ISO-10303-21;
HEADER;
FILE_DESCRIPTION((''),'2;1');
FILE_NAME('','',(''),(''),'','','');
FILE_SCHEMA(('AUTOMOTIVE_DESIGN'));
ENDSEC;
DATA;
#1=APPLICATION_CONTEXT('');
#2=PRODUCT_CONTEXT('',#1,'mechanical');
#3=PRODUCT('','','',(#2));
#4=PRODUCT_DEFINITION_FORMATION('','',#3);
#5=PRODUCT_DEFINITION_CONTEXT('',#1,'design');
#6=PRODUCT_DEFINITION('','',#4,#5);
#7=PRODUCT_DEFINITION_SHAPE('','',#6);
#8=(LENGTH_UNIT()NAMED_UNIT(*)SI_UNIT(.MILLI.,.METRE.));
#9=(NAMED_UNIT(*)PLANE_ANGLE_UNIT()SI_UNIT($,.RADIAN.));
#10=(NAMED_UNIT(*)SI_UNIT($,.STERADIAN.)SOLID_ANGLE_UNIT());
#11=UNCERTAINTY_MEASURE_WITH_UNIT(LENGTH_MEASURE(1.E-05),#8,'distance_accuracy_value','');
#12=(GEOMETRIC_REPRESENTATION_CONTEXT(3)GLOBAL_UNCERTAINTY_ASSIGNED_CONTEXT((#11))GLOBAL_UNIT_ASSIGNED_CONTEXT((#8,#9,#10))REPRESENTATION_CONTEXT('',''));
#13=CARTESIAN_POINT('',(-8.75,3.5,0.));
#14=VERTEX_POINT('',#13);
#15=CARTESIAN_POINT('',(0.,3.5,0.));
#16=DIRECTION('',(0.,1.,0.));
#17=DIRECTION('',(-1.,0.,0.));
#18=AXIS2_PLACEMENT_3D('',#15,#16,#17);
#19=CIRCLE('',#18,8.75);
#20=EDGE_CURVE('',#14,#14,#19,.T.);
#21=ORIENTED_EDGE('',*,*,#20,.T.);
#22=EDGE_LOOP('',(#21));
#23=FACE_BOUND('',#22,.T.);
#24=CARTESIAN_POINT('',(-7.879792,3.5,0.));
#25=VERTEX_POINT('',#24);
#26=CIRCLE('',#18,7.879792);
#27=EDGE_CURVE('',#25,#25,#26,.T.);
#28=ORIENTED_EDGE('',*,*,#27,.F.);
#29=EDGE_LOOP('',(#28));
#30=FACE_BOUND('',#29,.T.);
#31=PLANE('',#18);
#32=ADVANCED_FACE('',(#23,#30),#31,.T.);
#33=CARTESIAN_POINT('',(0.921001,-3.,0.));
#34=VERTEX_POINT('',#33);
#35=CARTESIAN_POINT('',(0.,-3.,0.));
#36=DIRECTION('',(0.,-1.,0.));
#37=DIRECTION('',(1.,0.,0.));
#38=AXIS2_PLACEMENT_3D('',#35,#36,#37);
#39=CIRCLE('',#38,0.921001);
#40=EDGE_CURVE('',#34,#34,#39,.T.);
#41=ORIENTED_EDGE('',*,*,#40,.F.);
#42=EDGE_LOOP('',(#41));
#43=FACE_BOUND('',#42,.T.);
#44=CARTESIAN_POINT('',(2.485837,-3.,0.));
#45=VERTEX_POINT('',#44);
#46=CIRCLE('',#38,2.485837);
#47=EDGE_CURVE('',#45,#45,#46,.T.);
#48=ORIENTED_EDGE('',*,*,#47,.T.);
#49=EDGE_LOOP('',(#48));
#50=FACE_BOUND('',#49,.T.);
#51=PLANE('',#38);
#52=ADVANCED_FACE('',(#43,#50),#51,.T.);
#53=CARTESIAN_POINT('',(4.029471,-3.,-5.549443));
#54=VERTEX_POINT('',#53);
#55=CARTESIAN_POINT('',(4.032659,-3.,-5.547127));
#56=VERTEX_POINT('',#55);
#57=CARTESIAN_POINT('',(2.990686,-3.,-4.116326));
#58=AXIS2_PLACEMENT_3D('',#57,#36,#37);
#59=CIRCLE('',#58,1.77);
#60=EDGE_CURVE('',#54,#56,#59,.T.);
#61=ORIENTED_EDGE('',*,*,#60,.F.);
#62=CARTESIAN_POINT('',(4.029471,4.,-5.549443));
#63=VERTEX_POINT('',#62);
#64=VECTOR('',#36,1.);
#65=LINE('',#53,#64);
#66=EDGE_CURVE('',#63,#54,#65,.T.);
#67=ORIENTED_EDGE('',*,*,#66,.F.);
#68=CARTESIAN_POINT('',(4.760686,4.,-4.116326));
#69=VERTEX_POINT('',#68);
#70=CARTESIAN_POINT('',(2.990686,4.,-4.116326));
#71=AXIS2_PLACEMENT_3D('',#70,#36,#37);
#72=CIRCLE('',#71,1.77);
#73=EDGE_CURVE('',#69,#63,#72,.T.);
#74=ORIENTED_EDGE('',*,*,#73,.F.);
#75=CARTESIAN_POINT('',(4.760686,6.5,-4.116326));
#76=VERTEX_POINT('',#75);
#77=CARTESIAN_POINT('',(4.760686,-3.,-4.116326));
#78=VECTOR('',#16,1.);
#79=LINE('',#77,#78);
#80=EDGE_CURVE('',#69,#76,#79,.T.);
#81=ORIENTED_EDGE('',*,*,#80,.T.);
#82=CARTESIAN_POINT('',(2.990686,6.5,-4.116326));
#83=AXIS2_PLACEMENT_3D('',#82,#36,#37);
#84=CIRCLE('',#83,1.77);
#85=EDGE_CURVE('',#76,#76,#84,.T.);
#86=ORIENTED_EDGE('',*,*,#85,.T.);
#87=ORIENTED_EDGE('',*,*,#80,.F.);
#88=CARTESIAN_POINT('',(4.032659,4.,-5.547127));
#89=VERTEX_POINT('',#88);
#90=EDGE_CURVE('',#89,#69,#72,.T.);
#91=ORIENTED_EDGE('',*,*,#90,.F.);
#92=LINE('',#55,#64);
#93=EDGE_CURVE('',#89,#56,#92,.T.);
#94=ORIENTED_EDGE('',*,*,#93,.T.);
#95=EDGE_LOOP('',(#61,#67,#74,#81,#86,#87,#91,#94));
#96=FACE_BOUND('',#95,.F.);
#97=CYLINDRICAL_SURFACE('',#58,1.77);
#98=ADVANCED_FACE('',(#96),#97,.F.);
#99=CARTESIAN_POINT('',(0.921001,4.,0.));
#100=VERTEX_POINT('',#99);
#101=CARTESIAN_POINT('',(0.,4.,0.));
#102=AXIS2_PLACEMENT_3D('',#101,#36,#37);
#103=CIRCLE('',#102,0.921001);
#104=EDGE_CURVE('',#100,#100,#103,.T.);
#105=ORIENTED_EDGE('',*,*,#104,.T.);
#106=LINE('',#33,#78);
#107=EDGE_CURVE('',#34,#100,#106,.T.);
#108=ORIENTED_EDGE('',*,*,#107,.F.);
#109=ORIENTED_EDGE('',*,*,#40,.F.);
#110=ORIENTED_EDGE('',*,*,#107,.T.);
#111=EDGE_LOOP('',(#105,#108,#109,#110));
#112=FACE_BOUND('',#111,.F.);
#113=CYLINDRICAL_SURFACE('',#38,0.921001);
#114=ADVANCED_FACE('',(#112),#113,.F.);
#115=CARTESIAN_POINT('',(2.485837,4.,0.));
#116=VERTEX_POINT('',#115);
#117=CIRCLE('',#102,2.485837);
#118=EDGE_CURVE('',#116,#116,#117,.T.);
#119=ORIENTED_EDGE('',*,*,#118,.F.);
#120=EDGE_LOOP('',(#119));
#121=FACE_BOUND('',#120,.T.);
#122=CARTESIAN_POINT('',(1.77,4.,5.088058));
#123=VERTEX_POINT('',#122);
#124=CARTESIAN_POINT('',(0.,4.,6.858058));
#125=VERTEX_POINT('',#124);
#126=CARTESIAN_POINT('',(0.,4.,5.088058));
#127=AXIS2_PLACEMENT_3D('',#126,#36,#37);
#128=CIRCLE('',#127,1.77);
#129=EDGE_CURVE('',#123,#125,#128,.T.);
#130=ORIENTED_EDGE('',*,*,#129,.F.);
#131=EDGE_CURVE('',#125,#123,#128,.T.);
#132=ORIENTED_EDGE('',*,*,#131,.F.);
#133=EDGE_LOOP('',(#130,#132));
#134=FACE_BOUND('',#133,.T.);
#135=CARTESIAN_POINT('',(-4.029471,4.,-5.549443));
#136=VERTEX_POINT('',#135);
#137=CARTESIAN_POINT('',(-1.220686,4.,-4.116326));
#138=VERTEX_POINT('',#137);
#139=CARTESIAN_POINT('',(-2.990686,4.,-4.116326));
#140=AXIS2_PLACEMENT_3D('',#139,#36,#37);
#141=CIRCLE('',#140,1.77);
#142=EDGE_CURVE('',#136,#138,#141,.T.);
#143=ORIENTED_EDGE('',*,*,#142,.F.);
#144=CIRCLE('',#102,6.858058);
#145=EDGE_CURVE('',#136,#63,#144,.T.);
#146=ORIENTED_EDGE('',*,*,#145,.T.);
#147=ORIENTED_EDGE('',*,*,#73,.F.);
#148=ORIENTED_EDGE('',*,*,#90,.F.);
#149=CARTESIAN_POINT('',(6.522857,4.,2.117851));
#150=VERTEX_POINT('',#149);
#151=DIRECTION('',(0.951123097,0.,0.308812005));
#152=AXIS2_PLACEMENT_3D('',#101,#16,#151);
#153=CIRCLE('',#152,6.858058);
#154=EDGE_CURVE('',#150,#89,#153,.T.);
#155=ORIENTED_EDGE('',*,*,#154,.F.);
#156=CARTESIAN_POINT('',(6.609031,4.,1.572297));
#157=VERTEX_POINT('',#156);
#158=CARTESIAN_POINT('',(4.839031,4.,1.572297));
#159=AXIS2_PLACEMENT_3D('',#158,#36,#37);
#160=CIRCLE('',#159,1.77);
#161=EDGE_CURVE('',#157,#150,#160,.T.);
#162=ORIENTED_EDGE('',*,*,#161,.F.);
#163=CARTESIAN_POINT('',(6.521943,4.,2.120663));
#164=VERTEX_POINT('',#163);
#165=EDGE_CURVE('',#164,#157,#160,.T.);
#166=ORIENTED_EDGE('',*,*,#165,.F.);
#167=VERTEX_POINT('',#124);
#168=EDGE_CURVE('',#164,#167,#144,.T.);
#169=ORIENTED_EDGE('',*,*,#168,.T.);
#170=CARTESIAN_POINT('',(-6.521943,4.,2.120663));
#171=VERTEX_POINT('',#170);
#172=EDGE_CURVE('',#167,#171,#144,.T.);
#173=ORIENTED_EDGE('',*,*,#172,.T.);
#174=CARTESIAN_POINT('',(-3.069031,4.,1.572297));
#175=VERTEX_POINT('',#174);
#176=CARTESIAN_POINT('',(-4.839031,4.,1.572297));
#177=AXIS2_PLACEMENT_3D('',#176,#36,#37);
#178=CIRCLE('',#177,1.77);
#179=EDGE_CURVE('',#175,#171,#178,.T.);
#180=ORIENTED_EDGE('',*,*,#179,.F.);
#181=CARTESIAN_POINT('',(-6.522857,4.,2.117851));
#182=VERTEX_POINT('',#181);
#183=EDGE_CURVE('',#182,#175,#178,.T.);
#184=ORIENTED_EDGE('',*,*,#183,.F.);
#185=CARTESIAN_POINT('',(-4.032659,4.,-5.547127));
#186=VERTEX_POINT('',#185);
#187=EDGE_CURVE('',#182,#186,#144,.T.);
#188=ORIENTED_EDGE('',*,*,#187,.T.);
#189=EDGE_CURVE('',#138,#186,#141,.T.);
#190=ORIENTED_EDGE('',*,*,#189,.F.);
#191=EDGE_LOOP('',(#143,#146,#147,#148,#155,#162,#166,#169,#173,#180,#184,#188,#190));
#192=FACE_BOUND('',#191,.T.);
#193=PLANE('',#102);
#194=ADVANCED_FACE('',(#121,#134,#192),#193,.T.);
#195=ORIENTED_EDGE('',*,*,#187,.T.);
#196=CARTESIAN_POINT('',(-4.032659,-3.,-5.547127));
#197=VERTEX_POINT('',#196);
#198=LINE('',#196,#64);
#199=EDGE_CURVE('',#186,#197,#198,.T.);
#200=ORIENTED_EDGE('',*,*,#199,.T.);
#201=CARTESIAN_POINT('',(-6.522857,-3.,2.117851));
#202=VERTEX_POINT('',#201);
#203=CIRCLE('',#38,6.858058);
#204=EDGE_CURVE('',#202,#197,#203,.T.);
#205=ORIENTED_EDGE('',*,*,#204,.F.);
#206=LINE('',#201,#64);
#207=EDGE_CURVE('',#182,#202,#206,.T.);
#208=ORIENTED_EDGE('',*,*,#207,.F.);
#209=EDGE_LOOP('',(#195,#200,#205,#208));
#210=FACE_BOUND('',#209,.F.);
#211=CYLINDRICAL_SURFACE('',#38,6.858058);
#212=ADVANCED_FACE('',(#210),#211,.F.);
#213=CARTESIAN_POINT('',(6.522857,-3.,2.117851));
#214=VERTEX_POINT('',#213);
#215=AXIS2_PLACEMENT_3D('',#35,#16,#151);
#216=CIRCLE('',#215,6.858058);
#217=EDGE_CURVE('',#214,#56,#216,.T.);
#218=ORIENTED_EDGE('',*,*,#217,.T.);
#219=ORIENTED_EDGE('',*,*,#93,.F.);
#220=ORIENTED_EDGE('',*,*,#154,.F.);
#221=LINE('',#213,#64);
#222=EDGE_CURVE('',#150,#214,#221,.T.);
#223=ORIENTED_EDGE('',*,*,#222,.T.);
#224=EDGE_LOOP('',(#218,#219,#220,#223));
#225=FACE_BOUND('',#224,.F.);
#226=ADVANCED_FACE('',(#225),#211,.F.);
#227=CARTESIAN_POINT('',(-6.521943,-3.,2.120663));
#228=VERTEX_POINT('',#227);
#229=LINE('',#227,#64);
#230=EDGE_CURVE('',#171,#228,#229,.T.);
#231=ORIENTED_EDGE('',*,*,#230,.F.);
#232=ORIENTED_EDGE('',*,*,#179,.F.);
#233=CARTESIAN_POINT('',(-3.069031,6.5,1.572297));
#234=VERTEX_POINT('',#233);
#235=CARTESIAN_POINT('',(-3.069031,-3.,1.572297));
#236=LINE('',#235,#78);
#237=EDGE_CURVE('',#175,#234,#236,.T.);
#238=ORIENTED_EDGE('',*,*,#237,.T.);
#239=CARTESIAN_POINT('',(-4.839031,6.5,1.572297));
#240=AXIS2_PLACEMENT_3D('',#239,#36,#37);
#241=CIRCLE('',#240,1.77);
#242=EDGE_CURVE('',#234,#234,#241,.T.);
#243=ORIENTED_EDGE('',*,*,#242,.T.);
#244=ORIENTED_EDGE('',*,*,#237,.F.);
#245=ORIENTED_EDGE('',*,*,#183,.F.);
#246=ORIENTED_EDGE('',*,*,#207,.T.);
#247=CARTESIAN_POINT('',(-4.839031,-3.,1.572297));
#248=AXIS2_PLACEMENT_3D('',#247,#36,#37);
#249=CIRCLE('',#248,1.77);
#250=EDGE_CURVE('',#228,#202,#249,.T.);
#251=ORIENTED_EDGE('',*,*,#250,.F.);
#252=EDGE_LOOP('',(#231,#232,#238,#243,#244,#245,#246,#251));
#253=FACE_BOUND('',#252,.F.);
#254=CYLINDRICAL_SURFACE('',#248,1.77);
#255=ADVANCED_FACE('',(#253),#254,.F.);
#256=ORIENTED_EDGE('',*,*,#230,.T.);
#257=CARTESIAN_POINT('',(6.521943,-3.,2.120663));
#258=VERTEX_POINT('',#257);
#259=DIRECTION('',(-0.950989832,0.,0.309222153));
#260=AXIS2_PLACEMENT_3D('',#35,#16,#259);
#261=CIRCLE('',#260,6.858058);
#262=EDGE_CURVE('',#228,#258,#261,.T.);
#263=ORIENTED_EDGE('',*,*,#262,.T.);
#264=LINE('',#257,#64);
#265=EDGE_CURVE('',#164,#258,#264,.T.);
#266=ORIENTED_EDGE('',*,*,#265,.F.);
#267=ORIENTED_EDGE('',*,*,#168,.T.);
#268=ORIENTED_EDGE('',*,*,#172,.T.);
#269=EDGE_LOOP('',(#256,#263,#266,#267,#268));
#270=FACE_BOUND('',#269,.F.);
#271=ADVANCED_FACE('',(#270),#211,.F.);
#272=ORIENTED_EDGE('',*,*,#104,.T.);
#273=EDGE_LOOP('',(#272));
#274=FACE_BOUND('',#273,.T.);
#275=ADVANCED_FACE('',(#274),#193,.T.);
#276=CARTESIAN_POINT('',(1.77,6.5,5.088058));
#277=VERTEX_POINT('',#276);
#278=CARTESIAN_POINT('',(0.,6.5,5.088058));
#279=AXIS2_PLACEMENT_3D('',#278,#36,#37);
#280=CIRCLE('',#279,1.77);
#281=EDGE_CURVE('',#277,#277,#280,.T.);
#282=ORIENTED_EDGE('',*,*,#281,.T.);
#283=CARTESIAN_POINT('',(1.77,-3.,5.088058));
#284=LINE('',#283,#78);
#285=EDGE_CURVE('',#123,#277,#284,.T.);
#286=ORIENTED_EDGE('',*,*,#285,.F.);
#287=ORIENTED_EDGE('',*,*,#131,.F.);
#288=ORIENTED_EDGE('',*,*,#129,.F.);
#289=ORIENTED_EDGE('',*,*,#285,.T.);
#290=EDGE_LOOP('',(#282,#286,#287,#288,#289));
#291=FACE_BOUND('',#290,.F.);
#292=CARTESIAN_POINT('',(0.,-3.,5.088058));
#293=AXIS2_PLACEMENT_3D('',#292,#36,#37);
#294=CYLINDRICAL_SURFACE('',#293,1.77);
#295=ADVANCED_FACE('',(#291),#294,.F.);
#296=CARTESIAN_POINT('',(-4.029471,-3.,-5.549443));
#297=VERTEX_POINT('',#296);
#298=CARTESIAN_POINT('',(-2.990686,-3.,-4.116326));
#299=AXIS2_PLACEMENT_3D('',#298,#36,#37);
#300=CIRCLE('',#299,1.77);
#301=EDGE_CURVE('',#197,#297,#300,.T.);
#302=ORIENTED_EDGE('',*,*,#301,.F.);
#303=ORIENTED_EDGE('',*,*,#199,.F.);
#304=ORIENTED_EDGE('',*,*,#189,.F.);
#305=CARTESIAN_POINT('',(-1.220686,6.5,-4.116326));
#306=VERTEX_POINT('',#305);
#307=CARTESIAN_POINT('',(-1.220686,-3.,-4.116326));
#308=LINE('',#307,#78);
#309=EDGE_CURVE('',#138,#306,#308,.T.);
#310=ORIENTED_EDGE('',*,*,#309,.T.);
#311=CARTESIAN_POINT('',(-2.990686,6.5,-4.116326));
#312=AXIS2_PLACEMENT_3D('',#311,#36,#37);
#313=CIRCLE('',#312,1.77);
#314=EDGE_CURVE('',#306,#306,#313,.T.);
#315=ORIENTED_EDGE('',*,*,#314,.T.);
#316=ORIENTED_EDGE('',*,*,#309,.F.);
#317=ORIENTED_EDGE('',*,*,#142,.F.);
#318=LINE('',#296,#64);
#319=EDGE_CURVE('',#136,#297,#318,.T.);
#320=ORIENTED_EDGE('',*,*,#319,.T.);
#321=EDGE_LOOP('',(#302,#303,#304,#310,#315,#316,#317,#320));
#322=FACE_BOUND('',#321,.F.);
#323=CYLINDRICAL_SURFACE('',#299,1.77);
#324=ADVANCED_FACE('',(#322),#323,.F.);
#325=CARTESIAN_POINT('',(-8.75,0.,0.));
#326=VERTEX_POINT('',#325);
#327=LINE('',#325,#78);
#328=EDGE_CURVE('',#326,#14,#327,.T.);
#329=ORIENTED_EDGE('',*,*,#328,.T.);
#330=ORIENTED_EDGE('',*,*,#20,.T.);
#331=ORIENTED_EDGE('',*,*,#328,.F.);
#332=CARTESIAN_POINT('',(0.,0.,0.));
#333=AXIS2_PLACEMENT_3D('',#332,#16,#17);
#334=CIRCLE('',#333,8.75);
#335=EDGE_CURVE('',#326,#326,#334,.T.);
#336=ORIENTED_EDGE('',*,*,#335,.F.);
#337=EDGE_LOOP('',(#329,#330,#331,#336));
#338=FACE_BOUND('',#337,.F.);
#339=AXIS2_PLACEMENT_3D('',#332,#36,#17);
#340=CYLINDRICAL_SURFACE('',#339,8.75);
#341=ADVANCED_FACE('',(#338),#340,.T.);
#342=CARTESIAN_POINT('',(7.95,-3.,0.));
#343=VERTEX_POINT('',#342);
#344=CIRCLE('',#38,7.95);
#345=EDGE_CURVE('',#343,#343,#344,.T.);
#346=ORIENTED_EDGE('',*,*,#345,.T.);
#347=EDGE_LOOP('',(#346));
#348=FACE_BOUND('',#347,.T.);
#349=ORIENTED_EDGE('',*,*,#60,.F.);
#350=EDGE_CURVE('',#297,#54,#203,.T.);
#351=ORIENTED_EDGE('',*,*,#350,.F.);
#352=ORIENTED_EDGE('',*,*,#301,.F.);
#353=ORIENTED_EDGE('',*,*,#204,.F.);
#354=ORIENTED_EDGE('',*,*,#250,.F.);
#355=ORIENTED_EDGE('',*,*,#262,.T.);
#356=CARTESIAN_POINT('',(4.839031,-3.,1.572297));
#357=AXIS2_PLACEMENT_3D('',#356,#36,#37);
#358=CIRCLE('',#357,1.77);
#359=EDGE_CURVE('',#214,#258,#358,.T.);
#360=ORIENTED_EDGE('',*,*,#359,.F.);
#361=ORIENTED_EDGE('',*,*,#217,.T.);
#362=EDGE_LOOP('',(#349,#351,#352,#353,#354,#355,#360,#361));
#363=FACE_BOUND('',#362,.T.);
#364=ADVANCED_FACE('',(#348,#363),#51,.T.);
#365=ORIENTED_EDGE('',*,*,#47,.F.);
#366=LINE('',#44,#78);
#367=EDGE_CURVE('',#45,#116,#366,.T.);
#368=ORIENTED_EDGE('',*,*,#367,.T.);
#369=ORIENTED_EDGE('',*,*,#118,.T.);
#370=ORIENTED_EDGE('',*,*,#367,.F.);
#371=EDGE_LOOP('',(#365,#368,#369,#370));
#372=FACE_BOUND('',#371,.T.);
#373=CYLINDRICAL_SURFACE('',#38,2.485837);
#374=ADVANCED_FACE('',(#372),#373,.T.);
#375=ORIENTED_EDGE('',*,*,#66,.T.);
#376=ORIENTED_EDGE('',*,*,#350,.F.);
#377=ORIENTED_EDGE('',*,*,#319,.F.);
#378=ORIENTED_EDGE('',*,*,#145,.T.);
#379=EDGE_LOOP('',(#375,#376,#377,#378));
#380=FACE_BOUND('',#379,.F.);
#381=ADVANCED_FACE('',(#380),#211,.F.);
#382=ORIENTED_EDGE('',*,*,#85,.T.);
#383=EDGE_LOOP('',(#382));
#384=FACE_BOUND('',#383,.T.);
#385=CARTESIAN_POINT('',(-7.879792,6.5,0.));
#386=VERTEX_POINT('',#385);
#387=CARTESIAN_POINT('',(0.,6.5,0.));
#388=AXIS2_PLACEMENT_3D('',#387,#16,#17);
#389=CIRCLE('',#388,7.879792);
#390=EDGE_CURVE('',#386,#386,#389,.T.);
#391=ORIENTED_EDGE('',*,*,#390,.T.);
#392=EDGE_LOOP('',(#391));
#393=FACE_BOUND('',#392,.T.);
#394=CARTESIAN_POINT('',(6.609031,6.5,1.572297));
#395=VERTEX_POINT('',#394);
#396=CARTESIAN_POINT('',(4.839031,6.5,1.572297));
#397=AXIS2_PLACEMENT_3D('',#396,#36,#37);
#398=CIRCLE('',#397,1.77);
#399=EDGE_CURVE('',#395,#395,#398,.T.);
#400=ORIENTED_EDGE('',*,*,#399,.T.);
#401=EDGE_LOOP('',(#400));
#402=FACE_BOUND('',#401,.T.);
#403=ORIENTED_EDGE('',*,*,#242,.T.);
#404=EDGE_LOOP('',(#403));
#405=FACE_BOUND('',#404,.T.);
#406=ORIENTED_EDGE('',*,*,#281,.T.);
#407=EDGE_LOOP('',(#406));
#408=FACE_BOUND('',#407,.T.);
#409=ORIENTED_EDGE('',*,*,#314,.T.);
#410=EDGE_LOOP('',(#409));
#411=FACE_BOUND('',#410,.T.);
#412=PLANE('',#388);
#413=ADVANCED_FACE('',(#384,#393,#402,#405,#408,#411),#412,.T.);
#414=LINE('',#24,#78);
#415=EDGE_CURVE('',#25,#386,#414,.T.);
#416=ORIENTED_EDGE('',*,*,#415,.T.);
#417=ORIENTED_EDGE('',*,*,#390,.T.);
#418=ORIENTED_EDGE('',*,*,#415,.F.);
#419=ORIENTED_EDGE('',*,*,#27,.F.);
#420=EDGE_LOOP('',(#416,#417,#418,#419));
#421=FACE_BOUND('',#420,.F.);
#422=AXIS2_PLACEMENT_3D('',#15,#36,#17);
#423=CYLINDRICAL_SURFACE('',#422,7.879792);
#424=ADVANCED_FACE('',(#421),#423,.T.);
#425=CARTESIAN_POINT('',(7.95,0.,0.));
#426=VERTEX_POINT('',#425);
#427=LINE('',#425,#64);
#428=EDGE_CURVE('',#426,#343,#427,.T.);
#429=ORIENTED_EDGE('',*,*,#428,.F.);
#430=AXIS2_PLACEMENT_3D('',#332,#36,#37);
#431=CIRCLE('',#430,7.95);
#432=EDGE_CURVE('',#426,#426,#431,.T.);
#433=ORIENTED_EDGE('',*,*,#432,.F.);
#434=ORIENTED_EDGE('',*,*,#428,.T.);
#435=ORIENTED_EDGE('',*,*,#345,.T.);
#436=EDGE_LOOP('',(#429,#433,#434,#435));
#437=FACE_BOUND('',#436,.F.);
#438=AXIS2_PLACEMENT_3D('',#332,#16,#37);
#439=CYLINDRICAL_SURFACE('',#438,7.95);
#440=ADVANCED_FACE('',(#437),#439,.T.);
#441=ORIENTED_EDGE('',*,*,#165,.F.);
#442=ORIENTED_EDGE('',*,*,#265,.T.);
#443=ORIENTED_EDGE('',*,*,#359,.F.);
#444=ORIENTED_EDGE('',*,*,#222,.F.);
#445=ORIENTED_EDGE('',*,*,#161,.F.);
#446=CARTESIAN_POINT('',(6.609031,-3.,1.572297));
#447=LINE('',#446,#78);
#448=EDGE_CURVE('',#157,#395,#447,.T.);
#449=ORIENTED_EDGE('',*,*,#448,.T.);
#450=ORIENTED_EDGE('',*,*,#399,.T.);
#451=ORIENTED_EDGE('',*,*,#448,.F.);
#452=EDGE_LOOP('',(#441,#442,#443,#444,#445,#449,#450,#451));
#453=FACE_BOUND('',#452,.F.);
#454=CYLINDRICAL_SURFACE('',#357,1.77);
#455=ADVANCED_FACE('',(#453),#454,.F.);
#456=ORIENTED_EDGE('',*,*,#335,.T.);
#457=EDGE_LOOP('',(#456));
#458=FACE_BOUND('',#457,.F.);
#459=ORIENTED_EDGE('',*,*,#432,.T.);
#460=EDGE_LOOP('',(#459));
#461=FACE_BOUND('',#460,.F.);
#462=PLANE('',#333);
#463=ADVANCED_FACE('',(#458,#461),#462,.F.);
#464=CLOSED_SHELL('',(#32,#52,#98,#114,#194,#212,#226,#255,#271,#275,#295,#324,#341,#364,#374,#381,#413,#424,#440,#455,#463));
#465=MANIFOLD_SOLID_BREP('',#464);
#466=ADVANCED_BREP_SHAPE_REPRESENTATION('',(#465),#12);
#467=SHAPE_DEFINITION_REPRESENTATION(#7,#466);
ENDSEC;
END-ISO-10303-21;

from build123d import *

# Parameters (mm, degrees)
F0_R      = 7.95
F1_DEPTH  = 3
F2_R      = 8.75
F3_DEPTH  = 3.5
F5_R      = 7.879792
F6_DEPTH  = 3
F7_R      = 1.77
F8_DEPTH  = 25
F9_R      = 6.858058
F9_R_2    = 2.485837
F9_R_3    = 0.921001
F10_DEPTH = 7


with BuildPart() as f1:
    # F0 (on Front) → F1 (new body)
    with BuildSketch(Plane.XZ):
        Circle(F0_R)
    extrude(amount=F1_DEPTH)

    # F2 (on face) → F3 (join)
    with BuildSketch(Plane(origin=(0, 0, 0), x_dir=(-1, 0, 0), z_dir=(0, 1, 0))):
        Circle(F2_R)
    extrude(amount=F3_DEPTH)

    # F5 (on face) → F6 (join)
    with BuildSketch(Plane(origin=(0, 3.5, 0), x_dir=(-1, 0, 0), z_dir=(0, 1, 0))):
        Circle(F5_R)
    extrude(amount=F6_DEPTH)

    # F7 (on face) → F8 (cut)
    with BuildSketch(Plane.XZ.offset(3)):
        with Locations((0, 5.088058)):
            Circle(F7_R)
        with Locations((-4.839031, 1.572297)):
            Circle(F7_R)
        with Locations((-2.990686, -4.116326)):
            Circle(F7_R)
        with Locations((2.990686, -4.116326)):
            Circle(F7_R)
        with Locations((4.839031, 1.572297)):
            Circle(F7_R)
    extrude(amount=-F8_DEPTH, mode=Mode.SUBTRACT)

    # F9 (on face) → F10 (cut)
    with BuildSketch(Plane.XZ.offset(3)):
        Circle(F9_R)
        Circle(F9_R_2, mode=Mode.SUBTRACT)
        Circle(F9_R_3)
    extrude(amount=-F10_DEPTH, mode=Mode.SUBTRACT)


solid = f1.part
